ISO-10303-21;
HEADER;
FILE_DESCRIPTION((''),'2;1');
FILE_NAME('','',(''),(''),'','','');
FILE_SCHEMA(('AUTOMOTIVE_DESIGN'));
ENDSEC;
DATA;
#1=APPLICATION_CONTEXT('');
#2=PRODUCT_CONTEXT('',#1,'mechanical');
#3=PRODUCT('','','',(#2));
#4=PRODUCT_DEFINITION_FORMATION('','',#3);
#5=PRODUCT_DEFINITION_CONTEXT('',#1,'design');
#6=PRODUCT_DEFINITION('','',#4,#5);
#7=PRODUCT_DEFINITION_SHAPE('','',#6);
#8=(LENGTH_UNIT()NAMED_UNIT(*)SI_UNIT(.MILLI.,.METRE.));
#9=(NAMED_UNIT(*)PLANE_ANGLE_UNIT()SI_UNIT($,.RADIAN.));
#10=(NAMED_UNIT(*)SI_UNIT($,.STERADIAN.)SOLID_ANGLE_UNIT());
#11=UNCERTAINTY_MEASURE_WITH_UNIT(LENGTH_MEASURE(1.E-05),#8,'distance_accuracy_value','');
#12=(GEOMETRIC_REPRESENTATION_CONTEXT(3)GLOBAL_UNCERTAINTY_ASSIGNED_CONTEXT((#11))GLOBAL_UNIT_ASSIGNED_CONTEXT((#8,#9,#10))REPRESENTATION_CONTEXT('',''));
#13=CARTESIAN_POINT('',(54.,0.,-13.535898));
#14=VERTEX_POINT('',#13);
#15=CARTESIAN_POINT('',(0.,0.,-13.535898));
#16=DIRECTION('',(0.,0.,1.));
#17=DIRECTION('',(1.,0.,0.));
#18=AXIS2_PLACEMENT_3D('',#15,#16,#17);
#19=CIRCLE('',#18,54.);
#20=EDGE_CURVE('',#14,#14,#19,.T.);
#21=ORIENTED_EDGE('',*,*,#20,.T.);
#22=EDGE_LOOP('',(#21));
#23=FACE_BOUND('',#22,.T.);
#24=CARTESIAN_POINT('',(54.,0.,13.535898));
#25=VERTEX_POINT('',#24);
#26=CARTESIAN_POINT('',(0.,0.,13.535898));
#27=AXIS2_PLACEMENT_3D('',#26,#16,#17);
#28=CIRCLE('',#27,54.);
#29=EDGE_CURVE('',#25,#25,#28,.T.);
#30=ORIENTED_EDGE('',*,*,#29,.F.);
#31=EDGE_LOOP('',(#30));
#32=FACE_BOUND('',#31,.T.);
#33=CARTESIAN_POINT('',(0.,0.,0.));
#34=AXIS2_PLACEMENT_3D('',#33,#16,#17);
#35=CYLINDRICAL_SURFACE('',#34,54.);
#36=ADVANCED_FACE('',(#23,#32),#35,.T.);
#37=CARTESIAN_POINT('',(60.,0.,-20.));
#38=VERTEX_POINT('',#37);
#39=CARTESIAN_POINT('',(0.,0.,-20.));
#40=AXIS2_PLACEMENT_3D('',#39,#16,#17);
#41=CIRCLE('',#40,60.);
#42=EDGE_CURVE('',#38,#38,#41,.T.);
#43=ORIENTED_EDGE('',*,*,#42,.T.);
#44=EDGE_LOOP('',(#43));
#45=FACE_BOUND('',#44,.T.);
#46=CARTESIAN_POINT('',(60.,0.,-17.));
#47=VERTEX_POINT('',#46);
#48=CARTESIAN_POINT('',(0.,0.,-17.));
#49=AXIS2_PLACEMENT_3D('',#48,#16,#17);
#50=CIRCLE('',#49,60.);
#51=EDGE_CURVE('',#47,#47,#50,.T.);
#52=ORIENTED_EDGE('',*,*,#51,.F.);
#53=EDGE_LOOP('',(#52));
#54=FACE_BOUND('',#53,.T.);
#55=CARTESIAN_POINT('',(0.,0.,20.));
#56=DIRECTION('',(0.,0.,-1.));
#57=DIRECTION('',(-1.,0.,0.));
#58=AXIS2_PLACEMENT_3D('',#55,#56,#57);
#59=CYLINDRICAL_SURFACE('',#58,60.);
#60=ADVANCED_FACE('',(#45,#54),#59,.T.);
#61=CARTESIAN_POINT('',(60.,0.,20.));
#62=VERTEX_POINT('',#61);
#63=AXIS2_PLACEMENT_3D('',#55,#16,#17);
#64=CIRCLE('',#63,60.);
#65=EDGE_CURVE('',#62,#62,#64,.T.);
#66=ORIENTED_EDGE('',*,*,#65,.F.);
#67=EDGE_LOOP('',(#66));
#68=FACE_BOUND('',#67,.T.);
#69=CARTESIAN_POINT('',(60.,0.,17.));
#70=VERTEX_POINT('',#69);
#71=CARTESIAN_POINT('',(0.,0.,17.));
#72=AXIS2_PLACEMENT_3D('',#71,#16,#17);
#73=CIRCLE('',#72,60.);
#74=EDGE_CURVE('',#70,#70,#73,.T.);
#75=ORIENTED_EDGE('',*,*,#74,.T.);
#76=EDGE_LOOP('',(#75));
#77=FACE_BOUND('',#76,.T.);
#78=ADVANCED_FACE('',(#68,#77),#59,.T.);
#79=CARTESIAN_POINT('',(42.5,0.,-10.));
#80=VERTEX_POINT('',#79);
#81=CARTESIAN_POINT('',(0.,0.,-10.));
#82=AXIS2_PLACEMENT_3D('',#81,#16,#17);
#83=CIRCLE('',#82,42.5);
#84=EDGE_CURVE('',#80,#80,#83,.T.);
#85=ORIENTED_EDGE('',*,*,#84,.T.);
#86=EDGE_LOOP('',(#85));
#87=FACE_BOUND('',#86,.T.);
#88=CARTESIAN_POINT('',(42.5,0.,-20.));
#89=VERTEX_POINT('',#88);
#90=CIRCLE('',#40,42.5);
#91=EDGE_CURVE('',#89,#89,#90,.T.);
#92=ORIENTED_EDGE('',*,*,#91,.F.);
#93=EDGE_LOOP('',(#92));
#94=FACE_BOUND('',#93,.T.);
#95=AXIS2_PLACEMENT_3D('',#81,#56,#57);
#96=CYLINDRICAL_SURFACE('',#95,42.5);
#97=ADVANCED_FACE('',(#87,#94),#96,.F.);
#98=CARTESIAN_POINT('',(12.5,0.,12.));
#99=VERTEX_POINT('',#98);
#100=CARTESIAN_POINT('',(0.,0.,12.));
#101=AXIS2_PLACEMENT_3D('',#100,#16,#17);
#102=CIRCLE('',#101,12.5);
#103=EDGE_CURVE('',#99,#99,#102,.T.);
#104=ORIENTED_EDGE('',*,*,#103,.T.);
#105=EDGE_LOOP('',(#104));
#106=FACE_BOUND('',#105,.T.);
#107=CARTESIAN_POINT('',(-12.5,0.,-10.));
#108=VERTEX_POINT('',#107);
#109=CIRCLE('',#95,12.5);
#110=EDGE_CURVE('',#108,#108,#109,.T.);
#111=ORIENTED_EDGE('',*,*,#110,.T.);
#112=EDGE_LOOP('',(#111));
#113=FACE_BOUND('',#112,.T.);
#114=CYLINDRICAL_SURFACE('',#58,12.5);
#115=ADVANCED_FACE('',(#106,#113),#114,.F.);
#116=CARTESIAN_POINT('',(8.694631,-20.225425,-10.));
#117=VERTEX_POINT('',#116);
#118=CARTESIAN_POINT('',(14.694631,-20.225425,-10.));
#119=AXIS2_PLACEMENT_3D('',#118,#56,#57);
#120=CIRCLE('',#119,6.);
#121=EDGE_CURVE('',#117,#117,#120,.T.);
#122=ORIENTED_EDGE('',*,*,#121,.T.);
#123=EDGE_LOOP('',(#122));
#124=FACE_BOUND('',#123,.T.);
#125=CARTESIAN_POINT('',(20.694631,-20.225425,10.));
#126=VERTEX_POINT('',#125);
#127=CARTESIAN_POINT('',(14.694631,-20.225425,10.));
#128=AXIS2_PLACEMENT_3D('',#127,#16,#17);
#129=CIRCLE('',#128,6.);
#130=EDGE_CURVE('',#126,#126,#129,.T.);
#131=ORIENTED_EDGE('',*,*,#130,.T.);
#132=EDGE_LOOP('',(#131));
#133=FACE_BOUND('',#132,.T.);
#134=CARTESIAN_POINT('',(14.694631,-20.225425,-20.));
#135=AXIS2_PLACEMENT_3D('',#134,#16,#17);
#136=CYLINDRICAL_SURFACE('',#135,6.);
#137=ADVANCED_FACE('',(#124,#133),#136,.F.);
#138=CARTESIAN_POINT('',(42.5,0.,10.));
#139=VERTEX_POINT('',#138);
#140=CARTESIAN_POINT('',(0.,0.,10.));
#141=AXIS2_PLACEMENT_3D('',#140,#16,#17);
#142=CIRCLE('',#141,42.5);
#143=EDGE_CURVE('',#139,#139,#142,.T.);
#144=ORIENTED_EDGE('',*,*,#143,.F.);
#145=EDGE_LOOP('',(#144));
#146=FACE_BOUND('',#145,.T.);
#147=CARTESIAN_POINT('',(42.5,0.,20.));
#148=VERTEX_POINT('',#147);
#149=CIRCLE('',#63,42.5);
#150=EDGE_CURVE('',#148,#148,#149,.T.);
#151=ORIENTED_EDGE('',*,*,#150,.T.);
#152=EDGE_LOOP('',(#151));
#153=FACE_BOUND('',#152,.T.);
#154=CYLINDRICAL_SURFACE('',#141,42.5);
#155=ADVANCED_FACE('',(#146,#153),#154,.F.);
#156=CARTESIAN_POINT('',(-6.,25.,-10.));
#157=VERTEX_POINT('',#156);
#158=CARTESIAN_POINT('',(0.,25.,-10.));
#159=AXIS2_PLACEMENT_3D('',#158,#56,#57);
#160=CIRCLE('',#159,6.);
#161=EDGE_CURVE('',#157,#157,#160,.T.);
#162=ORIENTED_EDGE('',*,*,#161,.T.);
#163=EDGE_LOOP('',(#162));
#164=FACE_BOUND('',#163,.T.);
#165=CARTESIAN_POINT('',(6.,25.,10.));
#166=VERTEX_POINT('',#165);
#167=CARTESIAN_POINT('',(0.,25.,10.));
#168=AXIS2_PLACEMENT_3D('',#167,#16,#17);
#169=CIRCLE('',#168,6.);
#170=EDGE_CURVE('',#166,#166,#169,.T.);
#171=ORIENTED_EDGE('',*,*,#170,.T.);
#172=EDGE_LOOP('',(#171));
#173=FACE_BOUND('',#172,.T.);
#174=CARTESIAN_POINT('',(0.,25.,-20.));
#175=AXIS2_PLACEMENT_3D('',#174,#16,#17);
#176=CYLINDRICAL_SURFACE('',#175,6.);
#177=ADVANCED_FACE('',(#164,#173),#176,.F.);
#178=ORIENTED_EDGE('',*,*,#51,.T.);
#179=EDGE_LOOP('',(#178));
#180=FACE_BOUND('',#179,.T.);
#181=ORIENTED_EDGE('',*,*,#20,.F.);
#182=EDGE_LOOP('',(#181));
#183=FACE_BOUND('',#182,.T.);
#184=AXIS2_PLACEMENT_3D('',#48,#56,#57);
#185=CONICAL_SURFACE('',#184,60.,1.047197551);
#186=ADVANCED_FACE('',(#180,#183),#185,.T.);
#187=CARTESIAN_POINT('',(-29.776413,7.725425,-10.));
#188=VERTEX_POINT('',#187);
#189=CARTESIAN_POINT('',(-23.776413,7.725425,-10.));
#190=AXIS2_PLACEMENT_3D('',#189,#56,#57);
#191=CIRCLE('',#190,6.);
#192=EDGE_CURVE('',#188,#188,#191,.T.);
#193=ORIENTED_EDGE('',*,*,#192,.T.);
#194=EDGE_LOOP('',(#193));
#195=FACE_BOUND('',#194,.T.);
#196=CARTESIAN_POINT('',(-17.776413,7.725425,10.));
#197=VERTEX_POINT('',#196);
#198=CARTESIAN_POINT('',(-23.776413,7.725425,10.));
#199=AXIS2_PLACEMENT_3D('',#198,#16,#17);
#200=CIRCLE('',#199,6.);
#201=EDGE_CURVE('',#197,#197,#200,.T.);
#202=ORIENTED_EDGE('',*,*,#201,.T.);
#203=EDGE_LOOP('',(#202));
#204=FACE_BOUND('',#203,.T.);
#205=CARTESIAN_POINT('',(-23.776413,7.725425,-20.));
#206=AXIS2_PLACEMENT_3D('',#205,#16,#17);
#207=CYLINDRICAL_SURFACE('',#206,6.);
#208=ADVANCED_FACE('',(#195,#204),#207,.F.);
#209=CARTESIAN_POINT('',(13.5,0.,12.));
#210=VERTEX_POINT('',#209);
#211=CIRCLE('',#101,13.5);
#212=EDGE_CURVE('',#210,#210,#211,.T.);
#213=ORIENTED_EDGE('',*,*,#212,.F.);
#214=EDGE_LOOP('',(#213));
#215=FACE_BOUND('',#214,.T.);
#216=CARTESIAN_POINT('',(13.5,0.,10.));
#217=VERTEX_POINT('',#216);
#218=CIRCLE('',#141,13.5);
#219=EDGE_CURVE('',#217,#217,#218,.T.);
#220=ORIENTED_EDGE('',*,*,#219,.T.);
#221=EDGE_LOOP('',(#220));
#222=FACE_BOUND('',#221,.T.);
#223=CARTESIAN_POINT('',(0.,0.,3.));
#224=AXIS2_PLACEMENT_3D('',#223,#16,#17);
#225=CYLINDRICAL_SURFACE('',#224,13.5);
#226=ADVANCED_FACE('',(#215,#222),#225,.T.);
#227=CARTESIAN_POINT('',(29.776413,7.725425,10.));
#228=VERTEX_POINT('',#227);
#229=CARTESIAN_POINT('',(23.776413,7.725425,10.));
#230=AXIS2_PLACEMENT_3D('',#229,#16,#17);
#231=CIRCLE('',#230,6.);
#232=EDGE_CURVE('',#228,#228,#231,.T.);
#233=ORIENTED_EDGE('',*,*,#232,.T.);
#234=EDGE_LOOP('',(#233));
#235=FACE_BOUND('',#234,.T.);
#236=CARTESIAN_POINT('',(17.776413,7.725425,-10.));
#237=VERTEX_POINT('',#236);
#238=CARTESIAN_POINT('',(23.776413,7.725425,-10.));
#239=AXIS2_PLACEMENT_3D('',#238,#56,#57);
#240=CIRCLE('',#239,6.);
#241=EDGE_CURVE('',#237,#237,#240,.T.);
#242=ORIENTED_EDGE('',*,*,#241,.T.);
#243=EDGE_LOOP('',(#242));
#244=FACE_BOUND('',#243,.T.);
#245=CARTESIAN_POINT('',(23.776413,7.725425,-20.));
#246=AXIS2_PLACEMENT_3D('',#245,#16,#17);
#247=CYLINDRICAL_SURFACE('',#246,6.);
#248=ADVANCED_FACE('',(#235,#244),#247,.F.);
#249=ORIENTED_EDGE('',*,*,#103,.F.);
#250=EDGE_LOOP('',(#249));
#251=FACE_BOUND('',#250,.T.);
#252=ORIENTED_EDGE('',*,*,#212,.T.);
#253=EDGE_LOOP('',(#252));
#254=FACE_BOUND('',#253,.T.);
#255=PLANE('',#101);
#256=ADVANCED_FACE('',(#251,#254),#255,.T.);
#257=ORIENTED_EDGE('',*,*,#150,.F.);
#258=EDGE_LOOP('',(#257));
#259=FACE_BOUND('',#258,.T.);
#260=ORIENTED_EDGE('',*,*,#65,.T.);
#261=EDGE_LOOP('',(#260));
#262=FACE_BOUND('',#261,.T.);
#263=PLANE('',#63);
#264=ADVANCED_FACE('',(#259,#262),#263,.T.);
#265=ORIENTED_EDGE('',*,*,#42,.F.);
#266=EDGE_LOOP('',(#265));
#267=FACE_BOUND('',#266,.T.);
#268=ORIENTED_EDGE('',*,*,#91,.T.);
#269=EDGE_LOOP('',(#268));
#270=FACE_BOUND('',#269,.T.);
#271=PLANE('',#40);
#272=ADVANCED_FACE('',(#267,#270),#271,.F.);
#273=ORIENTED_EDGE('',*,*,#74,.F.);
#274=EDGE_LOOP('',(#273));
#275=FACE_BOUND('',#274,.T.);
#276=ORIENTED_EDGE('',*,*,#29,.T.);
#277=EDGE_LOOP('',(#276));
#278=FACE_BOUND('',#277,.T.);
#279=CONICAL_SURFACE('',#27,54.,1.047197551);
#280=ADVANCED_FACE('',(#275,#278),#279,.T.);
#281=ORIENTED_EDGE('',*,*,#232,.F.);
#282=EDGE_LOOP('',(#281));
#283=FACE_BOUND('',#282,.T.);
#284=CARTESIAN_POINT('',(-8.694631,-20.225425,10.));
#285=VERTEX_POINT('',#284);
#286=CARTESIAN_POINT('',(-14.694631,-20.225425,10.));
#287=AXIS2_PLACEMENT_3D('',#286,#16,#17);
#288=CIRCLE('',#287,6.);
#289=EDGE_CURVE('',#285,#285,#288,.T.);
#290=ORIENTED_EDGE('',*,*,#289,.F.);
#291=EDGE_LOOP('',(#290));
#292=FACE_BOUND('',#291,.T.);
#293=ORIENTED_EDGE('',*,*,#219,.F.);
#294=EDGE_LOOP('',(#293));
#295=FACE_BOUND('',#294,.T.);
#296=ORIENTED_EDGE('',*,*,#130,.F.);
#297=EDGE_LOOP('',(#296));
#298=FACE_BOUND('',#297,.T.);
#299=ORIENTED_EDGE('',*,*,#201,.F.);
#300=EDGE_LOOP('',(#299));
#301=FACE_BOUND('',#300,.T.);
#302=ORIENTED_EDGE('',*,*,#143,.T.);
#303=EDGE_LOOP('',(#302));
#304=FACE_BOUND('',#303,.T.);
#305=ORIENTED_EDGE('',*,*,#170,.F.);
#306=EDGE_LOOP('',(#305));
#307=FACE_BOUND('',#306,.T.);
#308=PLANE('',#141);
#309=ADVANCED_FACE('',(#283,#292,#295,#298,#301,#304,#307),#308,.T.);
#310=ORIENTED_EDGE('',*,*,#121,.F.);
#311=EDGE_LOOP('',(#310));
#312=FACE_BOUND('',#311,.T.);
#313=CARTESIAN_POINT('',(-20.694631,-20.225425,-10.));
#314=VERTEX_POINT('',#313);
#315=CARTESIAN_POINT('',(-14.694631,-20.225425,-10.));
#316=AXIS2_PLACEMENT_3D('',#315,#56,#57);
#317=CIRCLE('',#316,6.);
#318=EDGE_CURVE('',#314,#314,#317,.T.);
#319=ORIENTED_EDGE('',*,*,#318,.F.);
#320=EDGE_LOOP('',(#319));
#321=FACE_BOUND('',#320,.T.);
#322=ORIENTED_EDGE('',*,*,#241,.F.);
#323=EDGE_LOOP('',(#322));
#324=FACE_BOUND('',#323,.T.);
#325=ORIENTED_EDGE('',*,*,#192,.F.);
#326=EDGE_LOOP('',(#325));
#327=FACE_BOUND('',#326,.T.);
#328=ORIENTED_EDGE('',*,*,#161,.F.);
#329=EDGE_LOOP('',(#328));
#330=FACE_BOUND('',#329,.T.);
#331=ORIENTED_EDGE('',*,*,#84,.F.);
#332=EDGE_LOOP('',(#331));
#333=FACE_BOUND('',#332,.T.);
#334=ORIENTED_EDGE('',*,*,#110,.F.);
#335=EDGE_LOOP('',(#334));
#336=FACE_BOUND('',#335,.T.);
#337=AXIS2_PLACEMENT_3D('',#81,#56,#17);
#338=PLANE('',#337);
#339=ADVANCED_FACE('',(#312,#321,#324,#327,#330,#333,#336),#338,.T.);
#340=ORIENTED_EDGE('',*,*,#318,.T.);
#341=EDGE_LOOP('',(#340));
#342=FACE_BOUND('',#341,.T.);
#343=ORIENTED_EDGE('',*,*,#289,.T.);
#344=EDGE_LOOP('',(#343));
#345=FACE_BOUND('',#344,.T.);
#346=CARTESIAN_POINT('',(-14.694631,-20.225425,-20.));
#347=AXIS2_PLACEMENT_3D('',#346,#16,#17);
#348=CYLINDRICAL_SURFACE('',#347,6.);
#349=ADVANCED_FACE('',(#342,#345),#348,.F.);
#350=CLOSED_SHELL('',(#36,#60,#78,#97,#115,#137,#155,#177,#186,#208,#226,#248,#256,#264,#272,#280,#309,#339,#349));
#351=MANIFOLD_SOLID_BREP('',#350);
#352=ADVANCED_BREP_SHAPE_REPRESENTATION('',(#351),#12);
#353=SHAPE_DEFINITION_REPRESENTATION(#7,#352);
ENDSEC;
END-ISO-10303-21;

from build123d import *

# Parameters (mm, degrees)
SKETCH2_R                = 60
SKETCH2_R_2              = 12.5
BOSS_EXTRUDE1_DEPTH      = 20
SKETCH3_R                = 42.5
CUT_EXTRUDE1_DEPTH       = 10
SKETCH4_R                = 6
CUT_EXTRUDE2_DEPTH       = 91
CIRPATTERN2_COUNT        = 5
BOSS_EXTRUDE3_DEPTH      = 2
BOSS_EXTRUDE3_DEPTH_BACK = 7
SKETCH6_R                = 13.5
SKETCH6_R_2              = 12.5


with BuildPart() as part:
    # Sketch2 → Boss-Extrude1 (new, symmetric)
    with BuildSketch(Plane.XY):
        Circle(SKETCH2_R)
        Circle(SKETCH2_R_2, mode=Mode.SUBTRACT)
    extrude(amount=BOSS_EXTRUDE1_DEPTH, both=True)

    # Sketch3 → Cut-Extrude1 (cut)
    with BuildSketch(Plane.XY.offset(20)):
        Circle(SKETCH3_R)
    cut_extrude1 = extrude(amount=-CUT_EXTRUDE1_DEPTH, mode=Mode.SUBTRACT)

    # Mirror2: Cut-Extrude1 across plane
    add(cut_extrude1.mirror(Plane.XY), mode=Mode.SUBTRACT)

    # Sketch4 → Cut-Extrude2 (cut, symmetric)
    with BuildSketch(Plane.XY.offset(10)):
        with Locations((0, 25)):
            Circle(SKETCH4_R)
    cut_extrude2 = extrude(amount=CUT_EXTRUDE2_DEPTH, both=True, mode=Mode.SUBTRACT)

    # CirPattern2: Cut-Extrude2 ×5 about axis
    cirpattern2_axis = Axis((0, 0, 0), (0, 0, 1))
    for i in range(1, CIRPATTERN2_COUNT):
        add(cut_extrude2.rotate(cirpattern2_axis, i * 360 / CIRPATTERN2_COUNT), mode=Mode.SUBTRACT)

    # Sketch5 → Cut-Revolve1 (revolve, cut)
    with BuildSketch(Plane(origin=(0, 0, 0), x_dir=(1, 0, 0), z_dir=(0, 1, 0))):
        Polygon((54, 13.535898385), (60, 17), (60, -17), (54, -13.535898385), align=None)
    revolve(axis=Axis((0, 0, 0), (0, 0, -1)), mode=Mode.SUBTRACT)

    # Sketch6 → Boss-Extrude3 (add, two sides: drawn at the far end of the back side and taken through both)
    with BuildSketch(Plane.XY.offset(10).offset(-BOSS_EXTRUDE3_DEPTH_BACK)):
        Circle(SKETCH6_R)
        with Locations(Location((0, 0, 0), (0, 0, 180))):
            Circle(SKETCH6_R_2, mode=Mode.SUBTRACT)
    extrude(amount=BOSS_EXTRUDE3_DEPTH + BOSS_EXTRUDE3_DEPTH_BACK)


solid = part.part
